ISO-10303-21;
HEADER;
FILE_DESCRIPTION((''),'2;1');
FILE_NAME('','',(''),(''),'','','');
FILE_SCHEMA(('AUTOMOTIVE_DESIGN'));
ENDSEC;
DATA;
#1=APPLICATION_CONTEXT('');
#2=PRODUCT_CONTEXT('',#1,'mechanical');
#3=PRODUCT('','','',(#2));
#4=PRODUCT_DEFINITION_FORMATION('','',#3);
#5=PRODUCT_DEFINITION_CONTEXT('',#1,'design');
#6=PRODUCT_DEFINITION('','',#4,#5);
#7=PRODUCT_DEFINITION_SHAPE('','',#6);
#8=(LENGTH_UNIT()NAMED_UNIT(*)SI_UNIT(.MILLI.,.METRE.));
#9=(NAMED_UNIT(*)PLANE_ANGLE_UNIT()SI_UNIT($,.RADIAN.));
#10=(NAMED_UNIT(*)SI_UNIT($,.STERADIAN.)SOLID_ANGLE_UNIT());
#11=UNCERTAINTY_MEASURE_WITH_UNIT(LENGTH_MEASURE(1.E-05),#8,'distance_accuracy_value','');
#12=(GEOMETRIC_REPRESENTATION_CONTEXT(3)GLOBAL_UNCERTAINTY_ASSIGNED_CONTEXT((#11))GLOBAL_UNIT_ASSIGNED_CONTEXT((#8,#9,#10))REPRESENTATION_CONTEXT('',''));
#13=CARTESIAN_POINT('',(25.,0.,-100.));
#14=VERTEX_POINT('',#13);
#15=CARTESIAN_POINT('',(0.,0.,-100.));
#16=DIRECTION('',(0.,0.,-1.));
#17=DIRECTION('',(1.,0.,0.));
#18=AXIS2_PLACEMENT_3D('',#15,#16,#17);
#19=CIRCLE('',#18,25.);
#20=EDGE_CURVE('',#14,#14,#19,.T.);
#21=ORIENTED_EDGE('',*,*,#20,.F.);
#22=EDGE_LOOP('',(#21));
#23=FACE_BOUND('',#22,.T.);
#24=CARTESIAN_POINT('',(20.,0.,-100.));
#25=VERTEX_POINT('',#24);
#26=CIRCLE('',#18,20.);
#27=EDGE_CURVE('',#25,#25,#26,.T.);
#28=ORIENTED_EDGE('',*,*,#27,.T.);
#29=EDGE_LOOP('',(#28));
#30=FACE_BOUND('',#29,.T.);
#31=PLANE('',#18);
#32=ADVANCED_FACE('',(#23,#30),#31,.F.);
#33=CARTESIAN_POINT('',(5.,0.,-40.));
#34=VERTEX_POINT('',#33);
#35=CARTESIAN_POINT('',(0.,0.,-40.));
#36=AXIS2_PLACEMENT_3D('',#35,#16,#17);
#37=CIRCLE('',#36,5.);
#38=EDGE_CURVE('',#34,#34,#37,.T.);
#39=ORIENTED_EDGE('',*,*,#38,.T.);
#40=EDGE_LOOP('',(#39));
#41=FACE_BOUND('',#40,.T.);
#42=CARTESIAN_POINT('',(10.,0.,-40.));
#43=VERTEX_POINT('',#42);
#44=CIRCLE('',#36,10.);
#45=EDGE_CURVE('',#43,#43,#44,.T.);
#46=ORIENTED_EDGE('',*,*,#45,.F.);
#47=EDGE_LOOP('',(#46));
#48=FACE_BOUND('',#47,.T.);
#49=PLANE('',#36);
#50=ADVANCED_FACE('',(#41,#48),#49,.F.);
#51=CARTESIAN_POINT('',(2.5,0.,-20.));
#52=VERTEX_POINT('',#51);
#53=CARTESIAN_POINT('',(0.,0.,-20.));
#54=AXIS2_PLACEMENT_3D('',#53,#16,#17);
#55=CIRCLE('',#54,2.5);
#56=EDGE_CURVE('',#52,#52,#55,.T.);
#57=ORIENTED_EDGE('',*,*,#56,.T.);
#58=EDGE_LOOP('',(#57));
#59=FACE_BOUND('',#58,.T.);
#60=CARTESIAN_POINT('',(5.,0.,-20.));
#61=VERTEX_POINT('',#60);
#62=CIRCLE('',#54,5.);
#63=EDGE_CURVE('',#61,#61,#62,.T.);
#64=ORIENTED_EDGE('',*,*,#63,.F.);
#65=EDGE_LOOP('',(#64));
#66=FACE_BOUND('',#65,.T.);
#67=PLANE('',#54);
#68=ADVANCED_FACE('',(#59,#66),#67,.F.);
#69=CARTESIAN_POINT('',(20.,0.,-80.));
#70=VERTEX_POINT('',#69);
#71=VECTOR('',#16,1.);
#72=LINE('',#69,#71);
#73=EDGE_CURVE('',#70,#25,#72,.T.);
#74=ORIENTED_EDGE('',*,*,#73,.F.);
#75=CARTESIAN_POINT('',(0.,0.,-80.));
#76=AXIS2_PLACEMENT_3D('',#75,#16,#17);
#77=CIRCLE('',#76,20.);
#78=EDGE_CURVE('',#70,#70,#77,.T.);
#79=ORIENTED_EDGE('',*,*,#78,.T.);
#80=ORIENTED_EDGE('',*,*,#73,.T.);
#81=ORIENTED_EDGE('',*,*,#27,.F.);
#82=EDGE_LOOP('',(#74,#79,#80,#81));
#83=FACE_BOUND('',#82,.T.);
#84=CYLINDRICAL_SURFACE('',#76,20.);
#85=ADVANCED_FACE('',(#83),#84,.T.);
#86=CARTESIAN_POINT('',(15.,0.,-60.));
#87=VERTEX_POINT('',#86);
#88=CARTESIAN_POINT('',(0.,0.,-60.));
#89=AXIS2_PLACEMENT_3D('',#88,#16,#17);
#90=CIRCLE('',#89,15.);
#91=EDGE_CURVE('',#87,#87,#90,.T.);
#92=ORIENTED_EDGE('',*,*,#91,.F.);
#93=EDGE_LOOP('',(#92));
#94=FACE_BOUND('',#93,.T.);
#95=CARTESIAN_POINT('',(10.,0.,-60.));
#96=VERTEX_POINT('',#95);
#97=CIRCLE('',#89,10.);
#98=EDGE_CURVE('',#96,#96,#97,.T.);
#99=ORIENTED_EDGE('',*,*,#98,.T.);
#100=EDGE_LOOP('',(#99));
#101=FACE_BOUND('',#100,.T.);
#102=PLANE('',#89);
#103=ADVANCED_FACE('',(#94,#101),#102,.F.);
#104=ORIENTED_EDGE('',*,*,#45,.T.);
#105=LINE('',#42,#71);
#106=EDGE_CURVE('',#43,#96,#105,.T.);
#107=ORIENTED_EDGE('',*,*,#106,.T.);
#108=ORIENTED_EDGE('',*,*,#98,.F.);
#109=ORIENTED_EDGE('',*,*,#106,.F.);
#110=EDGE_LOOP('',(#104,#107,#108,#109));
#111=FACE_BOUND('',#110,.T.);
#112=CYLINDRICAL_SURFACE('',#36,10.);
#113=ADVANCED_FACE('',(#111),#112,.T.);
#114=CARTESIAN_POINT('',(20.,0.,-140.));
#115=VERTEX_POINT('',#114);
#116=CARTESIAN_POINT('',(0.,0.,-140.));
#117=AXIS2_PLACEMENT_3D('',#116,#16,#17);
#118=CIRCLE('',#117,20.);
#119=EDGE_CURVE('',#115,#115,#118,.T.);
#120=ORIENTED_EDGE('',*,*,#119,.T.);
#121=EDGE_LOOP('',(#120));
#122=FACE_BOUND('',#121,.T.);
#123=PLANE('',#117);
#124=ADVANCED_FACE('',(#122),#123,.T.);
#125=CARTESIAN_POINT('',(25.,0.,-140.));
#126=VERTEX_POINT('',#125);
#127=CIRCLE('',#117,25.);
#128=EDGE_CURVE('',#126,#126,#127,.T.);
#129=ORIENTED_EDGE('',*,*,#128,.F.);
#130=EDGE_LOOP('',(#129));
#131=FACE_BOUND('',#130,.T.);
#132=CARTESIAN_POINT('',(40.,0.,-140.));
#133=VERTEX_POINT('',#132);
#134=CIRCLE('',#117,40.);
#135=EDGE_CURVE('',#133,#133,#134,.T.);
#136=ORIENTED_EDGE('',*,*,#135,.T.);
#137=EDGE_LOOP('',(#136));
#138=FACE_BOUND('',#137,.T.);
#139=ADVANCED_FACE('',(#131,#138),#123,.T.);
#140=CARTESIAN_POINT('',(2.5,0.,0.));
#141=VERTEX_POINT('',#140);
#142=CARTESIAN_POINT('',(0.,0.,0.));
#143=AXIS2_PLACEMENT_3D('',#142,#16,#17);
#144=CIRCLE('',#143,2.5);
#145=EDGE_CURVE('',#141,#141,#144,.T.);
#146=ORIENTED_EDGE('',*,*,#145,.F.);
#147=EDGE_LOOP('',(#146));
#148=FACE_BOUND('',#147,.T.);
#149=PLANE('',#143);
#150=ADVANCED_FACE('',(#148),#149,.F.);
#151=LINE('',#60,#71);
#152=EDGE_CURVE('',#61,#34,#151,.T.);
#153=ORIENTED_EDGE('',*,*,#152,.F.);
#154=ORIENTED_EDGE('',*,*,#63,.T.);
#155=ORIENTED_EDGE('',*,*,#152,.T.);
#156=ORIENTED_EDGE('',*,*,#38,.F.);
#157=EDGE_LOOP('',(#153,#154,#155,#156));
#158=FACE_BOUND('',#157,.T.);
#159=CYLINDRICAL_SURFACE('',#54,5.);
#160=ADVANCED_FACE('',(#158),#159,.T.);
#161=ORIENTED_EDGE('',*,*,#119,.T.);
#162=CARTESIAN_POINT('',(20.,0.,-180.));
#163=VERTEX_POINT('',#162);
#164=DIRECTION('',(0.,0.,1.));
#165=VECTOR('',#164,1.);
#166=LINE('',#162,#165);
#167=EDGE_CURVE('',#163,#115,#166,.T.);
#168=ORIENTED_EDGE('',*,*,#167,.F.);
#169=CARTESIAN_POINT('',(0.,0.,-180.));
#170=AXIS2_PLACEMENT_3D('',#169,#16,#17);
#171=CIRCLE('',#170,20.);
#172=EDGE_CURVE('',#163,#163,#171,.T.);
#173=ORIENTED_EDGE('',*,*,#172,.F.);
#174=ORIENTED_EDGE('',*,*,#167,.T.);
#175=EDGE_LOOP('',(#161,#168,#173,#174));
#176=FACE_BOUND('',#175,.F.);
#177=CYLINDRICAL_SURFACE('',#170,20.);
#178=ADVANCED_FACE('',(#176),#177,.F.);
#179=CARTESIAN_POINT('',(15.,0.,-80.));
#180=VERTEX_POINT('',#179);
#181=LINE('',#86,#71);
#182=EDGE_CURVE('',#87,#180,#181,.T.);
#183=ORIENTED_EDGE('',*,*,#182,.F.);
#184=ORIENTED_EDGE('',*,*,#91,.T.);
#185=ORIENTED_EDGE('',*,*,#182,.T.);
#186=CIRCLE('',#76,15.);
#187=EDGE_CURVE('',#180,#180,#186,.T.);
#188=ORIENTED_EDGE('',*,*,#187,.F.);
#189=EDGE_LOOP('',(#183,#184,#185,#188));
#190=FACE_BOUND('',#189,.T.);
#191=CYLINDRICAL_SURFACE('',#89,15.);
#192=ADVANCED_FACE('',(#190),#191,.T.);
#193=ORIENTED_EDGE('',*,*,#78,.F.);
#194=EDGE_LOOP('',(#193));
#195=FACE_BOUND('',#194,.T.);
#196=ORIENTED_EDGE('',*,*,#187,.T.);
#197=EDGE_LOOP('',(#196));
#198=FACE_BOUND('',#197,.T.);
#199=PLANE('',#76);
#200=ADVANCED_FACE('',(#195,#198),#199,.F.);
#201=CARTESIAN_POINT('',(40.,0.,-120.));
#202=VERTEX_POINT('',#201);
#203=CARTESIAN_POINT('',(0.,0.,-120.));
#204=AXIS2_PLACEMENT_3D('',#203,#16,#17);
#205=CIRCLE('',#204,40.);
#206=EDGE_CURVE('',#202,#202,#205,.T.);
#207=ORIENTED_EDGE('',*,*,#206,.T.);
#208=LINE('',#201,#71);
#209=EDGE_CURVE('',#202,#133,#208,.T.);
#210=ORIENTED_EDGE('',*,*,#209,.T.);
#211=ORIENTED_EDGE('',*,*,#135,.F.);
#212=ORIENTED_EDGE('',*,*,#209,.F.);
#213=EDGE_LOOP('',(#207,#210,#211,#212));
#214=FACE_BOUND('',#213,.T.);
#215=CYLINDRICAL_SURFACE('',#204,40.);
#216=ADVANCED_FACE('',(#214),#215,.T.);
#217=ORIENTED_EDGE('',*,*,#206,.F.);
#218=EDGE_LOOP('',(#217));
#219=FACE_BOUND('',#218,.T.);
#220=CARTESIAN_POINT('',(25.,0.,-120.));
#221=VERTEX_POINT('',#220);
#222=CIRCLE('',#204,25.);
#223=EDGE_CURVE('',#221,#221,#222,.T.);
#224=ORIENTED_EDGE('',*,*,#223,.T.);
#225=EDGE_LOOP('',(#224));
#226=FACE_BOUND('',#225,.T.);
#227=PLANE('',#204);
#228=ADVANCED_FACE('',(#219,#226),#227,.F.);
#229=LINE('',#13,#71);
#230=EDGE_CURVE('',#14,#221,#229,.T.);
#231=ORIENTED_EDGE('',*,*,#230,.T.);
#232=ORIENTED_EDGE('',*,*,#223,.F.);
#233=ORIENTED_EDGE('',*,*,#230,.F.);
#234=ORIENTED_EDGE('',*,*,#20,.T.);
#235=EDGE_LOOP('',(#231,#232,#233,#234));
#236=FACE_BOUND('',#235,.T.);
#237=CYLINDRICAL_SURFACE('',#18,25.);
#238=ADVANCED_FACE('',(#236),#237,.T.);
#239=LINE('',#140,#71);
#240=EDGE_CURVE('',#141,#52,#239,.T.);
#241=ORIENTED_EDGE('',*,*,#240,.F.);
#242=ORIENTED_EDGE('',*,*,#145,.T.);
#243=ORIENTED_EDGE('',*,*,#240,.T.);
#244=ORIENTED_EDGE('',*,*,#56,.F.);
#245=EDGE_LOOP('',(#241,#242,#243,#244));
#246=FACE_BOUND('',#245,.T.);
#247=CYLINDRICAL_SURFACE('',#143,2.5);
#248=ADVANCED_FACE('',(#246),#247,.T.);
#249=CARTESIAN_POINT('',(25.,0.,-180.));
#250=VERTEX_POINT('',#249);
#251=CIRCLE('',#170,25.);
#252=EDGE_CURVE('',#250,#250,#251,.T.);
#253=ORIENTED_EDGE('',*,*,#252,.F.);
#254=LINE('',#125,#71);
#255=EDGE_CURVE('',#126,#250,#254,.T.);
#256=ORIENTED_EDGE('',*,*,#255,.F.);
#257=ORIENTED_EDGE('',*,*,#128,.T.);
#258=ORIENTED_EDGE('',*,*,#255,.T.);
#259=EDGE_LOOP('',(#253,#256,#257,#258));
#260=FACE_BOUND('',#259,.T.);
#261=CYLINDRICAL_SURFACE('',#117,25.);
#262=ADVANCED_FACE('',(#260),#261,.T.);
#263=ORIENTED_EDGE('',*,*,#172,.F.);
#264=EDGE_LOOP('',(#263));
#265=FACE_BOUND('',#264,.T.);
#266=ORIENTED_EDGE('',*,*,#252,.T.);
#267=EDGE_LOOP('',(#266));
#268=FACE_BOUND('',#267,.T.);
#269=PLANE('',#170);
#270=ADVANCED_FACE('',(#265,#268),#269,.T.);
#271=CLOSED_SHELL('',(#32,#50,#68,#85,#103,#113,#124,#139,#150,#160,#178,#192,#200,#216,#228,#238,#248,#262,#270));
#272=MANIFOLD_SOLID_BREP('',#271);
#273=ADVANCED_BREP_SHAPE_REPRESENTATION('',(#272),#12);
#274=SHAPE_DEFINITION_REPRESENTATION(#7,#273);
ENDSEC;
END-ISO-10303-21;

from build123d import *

# Parameters (mm, degrees)
SKETCH3_R          = 20
CUT_EXTRUDE1_DEPTH = 40


with BuildPart() as part:
    # Sketch1 → Revolve1 (revolve)
    with BuildSketch(Plane(origin=(0, 0, 0), x_dir=(1, 0, 0), z_dir=(0, 1, 0))):
        Polygon((0, 0), (2.5, 0), (2.5, 20), (5, 20), (5, 40), (10, 40), (10, 60), (15, 60), (15, 80), (20, 80), (20, 100), (25, 100), (25, 120), (40, 120), (40, 140), (25, 140), (25, 180), (0, 180), align=None)
    revolve(axis=Axis((0, 0, 0), (0, 0, -1)))

    # Sketch3 → Cut-Extrude1 (cut)
    with BuildSketch(Plane(origin=(0, 0, -180), x_dir=(-1, 0, 0), z_dir=(0, 0, -1))):
        with Locations(Location((0, 0, 0), (0, 0, 180))):  # turned: the seam where the file's is
            Circle(SKETCH3_R)
    extrude(amount=-CUT_EXTRUDE1_DEPTH, mode=Mode.SUBTRACT)


solid = part.part
